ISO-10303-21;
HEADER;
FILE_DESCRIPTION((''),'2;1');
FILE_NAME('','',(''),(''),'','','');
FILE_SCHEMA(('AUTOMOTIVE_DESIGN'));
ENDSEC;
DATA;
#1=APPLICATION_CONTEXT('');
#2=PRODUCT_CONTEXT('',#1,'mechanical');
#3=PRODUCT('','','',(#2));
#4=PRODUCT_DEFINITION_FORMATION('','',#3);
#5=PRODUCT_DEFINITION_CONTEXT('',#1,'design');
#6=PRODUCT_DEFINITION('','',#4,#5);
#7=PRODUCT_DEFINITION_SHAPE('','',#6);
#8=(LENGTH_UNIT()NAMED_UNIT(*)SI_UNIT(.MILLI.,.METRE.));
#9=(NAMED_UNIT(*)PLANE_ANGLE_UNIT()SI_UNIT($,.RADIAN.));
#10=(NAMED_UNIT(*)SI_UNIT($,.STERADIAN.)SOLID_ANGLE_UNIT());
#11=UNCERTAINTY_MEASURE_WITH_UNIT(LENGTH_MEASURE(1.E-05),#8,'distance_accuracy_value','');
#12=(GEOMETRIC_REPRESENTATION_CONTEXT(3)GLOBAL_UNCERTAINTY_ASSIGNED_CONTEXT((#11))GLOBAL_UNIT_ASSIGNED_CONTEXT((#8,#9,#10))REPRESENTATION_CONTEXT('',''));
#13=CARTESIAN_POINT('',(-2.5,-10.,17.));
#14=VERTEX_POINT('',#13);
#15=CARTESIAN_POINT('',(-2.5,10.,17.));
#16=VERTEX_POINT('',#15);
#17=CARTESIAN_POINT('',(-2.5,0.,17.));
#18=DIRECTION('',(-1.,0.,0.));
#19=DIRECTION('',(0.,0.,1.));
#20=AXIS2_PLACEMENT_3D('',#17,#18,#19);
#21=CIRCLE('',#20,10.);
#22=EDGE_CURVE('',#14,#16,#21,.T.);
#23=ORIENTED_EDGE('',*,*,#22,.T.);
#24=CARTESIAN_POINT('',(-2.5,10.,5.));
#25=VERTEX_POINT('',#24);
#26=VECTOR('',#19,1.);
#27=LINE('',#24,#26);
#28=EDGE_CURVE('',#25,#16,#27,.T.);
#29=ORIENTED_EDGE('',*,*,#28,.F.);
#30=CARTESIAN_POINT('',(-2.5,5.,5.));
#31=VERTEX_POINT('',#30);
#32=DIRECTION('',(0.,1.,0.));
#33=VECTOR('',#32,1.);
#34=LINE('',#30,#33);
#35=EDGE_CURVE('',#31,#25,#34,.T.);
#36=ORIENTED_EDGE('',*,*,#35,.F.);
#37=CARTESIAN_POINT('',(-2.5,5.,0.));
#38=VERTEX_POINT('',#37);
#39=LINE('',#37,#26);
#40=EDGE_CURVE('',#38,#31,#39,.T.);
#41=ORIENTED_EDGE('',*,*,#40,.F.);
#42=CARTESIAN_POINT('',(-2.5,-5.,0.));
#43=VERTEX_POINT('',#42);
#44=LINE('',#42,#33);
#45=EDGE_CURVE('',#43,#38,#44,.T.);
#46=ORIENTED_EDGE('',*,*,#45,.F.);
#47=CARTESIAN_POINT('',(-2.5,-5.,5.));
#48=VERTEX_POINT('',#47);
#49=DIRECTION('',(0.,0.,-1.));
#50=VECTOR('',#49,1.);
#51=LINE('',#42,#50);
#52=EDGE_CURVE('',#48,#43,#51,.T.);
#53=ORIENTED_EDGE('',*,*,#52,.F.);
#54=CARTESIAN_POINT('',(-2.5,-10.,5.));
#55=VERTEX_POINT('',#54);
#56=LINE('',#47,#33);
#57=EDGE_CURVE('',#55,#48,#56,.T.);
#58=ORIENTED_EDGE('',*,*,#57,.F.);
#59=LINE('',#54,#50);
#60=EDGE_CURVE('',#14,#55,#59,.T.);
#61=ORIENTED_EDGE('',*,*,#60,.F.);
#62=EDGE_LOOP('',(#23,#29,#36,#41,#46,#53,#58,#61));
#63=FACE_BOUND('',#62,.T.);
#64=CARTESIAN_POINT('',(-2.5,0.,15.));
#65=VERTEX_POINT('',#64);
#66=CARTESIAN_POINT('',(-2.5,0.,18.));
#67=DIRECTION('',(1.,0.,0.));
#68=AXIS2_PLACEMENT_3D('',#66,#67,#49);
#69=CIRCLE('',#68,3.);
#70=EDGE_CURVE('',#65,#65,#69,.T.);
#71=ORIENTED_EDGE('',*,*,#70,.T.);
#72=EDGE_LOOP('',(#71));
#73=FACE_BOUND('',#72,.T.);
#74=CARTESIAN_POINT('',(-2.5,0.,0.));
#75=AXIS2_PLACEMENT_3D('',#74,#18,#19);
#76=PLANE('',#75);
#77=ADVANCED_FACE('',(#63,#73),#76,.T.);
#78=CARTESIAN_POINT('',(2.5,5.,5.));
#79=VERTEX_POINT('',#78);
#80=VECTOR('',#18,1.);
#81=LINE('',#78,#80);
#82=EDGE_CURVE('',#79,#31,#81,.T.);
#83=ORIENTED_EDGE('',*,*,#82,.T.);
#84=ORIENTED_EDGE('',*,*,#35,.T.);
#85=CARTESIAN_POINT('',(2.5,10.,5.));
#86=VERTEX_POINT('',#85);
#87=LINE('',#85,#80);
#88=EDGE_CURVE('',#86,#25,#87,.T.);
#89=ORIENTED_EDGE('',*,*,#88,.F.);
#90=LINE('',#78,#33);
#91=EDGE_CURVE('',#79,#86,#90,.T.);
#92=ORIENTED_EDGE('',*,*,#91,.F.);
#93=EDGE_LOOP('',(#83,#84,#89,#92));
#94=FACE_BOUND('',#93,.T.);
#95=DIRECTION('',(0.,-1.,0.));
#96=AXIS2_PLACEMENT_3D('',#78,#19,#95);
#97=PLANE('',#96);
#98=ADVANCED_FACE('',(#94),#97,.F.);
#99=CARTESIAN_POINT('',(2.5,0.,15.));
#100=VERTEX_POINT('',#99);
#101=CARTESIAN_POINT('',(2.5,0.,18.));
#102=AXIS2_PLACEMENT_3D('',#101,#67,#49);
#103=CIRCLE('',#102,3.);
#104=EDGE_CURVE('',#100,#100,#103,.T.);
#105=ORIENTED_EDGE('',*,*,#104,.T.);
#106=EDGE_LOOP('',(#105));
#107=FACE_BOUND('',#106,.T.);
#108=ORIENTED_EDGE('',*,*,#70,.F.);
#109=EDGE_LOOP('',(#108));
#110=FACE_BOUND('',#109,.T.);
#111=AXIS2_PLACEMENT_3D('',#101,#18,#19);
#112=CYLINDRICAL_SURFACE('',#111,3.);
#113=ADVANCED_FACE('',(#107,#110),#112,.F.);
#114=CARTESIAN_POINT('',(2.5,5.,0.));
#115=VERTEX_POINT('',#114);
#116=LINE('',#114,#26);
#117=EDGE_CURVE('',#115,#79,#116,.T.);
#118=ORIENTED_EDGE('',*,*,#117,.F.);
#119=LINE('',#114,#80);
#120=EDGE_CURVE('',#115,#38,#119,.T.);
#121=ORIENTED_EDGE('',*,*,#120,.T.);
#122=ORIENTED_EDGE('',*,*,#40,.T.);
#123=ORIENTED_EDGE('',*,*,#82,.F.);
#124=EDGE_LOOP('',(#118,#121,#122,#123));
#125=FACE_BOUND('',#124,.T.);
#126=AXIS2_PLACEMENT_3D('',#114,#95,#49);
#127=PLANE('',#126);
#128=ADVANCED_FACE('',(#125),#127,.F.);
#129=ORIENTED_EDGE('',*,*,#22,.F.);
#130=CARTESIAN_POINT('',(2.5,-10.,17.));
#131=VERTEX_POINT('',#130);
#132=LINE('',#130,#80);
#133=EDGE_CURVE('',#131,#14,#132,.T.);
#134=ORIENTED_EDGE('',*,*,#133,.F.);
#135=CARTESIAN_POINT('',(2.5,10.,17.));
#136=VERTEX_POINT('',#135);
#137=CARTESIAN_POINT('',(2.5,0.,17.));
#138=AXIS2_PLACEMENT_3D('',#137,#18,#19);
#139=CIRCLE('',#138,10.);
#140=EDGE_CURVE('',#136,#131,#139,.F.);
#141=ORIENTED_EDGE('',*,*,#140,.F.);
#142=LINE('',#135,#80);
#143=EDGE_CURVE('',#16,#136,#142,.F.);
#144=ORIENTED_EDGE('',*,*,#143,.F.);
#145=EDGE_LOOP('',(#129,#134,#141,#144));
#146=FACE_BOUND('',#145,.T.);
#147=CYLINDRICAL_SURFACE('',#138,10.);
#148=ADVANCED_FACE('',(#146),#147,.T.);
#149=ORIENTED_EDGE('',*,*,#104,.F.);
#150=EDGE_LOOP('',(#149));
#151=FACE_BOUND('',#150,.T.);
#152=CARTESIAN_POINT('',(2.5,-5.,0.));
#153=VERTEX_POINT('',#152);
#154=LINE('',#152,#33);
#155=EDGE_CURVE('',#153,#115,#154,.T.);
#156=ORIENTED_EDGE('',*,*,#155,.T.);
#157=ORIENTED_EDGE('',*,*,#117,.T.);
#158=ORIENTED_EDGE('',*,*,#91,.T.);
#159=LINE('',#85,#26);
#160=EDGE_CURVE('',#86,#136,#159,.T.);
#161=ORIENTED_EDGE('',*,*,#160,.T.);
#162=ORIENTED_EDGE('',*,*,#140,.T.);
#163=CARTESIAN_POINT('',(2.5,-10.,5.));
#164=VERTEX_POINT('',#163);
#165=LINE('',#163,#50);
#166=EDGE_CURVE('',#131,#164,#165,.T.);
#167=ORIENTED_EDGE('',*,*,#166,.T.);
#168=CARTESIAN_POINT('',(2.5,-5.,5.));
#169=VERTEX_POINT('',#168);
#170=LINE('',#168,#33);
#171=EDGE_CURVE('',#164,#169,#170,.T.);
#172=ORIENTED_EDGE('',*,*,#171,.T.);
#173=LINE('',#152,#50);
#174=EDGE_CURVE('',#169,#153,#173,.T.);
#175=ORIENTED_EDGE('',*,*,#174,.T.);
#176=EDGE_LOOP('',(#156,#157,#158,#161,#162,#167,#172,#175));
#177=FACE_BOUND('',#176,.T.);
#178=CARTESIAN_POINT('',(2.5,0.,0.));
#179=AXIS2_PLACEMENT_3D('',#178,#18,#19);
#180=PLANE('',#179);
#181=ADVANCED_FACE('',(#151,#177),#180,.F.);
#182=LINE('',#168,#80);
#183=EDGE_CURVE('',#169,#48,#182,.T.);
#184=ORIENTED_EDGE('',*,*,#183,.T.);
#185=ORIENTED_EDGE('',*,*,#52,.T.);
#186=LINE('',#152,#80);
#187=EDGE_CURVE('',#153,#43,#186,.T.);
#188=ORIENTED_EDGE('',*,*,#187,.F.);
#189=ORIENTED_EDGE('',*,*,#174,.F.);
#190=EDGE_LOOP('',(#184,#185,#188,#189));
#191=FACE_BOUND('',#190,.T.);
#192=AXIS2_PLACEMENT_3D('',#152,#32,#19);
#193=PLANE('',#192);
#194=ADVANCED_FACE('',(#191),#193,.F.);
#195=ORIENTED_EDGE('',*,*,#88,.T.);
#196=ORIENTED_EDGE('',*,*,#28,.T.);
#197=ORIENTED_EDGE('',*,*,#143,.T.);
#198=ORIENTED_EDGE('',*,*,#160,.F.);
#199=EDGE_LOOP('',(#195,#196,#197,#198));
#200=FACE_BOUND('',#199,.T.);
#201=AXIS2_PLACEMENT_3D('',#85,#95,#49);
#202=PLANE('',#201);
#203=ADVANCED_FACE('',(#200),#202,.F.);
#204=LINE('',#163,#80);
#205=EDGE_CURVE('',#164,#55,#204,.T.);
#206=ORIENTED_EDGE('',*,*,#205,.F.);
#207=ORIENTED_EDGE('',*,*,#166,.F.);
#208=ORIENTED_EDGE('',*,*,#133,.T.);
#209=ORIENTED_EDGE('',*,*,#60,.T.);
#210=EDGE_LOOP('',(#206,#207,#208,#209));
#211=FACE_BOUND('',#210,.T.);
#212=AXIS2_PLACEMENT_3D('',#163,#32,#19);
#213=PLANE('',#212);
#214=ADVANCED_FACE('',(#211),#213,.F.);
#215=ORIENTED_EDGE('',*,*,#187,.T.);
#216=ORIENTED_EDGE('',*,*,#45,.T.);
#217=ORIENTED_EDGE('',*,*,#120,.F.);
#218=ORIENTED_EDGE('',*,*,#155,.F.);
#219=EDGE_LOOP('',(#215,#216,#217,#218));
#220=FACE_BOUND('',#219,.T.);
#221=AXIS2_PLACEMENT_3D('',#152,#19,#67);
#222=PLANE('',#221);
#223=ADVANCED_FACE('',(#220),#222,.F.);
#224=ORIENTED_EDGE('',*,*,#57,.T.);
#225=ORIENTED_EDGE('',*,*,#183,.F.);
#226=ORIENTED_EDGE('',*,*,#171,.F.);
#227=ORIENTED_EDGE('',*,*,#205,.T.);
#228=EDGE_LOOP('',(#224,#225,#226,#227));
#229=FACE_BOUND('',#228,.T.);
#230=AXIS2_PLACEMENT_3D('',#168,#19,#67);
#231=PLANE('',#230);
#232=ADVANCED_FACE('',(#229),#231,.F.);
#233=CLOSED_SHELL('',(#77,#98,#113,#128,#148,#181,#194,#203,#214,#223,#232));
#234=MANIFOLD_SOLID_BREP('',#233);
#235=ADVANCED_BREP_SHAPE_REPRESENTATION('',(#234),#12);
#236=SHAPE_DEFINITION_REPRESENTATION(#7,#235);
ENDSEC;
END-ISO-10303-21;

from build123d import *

# Parameters (mm, degrees)
SKETCH1_R           = 3
BOSS_EXTRUDE1_DEPTH = 2.5
FILLET1_RADIUS      = 10
FILLET1_LENGTH      = 5


with BuildPart() as part:
    # Sketch1 → Boss-Extrude1 (new, symmetric)
    with BuildSketch(Plane.YZ):
        Polygon((-5, 0), (5, 0), (5, 5), (10, 5), (10, 27), (-10, 27), (-10, 5), (-5, 5), align=None)
        with Locations(Location((0, 18, 0), (0, 0, 270))):
            Circle(SKETCH1_R, mode=Mode.SUBTRACT)
    extrude(amount=BOSS_EXTRUDE1_DEPTH, both=True)

    # Fillet1: full round fillet: the end face becomes a half cylinder, R = half its width
    fillet1_face = Plane((0, 0, 27), x_dir=(-1, 0, 0), z_dir=(0, 0, 1))  # on the end face: x along it, z out of the body
    fillet1_slab = fillet1_face.offset(-FILLET1_RADIUS / 2) * Box(FILLET1_LENGTH, 2 * FILLET1_RADIUS, FILLET1_RADIUS, mode=Mode.PRIVATE)  # the body's end, R deep
    fillet1_round = Plane((0, 0, 17), x_dir=(0, 0, 1), z_dir=(-1, 0, 0)) * Cylinder(FILLET1_RADIUS, FILLET1_LENGTH, mode=Mode.PRIVATE)  # its axis R under the face
    add(fillet1_slab - fillet1_round, mode=Mode.SUBTRACT)


solid = part.part
